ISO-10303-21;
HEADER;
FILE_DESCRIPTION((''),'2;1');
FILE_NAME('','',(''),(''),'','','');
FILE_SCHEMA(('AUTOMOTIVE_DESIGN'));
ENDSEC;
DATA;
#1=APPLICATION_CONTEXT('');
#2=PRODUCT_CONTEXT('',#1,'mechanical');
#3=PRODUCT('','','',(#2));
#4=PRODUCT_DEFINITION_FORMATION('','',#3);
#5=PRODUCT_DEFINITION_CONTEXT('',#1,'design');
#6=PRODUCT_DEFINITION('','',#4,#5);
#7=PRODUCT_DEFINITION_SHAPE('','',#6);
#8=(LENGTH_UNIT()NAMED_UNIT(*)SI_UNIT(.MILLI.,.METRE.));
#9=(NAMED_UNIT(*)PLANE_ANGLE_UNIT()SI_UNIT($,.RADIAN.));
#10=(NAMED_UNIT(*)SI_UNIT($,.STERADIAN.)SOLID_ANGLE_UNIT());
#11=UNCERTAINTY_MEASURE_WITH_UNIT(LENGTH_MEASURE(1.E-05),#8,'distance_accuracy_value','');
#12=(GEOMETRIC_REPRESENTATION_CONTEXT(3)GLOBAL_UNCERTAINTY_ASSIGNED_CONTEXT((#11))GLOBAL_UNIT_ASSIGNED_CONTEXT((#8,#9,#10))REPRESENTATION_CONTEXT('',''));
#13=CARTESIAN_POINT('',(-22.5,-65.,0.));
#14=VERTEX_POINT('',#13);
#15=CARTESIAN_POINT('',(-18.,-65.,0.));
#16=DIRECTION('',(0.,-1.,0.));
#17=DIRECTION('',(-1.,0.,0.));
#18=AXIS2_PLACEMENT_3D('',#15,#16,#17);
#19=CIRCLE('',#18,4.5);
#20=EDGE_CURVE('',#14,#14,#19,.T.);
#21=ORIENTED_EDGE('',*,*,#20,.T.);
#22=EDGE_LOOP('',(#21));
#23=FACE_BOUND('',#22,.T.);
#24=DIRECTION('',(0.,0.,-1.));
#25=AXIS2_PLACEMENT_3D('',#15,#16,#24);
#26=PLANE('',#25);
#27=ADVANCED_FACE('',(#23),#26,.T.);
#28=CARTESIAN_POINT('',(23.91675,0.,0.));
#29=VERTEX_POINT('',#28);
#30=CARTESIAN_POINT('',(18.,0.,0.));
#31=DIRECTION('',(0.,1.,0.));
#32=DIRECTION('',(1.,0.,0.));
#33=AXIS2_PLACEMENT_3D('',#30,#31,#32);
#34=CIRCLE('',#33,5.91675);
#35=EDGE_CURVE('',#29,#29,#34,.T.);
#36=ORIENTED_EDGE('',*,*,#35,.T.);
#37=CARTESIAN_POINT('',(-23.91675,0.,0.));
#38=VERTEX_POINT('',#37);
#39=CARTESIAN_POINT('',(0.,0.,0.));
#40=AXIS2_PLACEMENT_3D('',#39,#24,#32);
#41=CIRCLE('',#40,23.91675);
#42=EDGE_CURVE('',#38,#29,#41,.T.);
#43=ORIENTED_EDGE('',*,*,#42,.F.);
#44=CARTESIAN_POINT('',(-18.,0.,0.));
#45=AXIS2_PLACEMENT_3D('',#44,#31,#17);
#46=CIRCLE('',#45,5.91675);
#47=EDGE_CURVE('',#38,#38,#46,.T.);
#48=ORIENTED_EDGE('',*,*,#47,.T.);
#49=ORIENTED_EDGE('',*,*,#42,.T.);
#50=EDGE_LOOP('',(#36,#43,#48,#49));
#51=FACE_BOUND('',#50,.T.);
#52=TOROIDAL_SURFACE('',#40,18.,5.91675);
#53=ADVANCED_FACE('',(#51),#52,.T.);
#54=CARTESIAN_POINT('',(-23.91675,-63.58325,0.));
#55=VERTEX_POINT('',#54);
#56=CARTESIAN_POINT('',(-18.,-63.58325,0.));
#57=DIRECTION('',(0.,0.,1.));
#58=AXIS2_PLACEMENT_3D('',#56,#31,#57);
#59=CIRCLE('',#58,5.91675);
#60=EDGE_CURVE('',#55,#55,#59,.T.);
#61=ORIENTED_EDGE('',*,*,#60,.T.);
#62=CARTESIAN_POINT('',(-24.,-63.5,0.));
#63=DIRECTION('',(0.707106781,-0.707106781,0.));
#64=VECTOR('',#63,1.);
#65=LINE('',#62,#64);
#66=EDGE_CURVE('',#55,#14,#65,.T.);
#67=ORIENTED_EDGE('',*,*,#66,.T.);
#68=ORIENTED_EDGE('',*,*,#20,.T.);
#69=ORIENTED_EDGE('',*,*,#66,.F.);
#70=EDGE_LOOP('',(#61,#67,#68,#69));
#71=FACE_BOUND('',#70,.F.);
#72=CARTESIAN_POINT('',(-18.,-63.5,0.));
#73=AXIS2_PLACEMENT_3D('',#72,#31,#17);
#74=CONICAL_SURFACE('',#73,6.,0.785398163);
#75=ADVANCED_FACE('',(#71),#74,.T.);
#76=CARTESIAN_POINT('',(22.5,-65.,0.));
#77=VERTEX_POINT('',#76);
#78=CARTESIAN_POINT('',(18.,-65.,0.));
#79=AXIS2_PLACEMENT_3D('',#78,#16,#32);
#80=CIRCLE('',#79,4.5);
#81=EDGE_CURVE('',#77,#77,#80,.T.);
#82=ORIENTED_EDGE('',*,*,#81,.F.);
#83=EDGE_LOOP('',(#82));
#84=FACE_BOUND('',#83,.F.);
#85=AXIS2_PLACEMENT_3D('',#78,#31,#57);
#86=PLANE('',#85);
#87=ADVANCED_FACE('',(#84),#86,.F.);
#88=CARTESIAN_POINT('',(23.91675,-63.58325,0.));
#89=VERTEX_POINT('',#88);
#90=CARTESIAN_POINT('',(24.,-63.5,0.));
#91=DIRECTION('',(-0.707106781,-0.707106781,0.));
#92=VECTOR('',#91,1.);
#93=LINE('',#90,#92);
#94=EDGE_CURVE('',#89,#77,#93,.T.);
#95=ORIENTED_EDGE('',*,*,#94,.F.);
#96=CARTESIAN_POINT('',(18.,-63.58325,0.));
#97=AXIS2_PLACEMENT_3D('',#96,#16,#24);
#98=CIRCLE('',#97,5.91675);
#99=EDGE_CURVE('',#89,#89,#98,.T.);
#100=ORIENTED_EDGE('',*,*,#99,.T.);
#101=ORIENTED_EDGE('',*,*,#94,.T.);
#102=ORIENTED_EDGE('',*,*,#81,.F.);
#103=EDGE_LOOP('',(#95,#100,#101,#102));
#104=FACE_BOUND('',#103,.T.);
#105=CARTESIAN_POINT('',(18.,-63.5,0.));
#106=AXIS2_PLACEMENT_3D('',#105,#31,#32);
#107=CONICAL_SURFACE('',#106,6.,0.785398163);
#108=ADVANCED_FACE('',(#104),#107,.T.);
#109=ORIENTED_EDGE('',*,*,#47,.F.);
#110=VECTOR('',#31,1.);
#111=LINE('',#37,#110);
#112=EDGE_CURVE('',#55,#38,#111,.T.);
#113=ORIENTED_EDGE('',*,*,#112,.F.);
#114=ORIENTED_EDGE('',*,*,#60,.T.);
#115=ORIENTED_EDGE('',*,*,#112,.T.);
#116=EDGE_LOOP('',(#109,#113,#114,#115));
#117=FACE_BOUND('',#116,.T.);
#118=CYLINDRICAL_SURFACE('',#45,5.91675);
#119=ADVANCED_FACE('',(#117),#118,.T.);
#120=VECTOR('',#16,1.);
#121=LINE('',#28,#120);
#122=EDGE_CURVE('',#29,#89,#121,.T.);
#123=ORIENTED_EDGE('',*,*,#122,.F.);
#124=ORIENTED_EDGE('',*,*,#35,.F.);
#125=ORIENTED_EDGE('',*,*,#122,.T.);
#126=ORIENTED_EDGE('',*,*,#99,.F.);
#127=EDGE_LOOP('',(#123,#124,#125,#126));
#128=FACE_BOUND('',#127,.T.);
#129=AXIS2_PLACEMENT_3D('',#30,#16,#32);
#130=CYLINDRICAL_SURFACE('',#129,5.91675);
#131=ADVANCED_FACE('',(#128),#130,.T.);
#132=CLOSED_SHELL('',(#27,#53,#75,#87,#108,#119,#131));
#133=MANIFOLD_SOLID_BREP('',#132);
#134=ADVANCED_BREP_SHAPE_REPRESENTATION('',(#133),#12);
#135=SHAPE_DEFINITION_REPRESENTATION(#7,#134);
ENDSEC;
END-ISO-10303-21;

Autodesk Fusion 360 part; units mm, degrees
sketch "Sketch1" plane through (0, 0, 0) normal (0, 0, 1) x (1, 0, 0)
  circle A0 centre (0, 0) radius 18 construction
  line L0 (0, 0) -> (50, 0) construction
  line L1 (0, 0) -> (0, 50) construction
  line L2 (0, 0) -> (-50, 0) construction
  line L3 (0, 0) -> (0, -100) construction
  line L4 (-18, 0) -> (-18, -65)
  line L5 (18, 0) -> (18, -65)
  arc A1 (18, 0) -> (-18, 0) centre (0, 0) ccw
  dimension "d1" = 36
  dimension "d6" = 65
  dimension "d7" = 65
sketch "Sketch2" plane through (0, 0, 0) normal (0, 1, 0) x (1, 0, 0)
  circle A0 centre (18, 0) radius 6
  point P0 (18, 0)
  dimension "d8" = 12
sweep "Sweep1" add profiles "Sketch2" path "Sketch1" along L5 A1 L4 section 1
chamfer "Chamfer1" distance 1.5 angle 45 2 edges at (-12.406, -65, 2.1697) (12.406, -65, -2.1697)
thread "Thread1" "ISO Metric profile 12.0 M12x1.75 6g" major diameter 11.8335 minor diameter 9.8365 pitch 1.75 angle 60 resizes the face on face at (-23.9925, -42.3333, -0.2991)
thread "Thread2" "ISO Metric profile 12.0 M12x1.75 6g" major diameter 11.8335 minor diameter 9.8365 pitch 1.75 angle 60 resizes the face on face at (23.8873, -42.3888, -0.5891)
